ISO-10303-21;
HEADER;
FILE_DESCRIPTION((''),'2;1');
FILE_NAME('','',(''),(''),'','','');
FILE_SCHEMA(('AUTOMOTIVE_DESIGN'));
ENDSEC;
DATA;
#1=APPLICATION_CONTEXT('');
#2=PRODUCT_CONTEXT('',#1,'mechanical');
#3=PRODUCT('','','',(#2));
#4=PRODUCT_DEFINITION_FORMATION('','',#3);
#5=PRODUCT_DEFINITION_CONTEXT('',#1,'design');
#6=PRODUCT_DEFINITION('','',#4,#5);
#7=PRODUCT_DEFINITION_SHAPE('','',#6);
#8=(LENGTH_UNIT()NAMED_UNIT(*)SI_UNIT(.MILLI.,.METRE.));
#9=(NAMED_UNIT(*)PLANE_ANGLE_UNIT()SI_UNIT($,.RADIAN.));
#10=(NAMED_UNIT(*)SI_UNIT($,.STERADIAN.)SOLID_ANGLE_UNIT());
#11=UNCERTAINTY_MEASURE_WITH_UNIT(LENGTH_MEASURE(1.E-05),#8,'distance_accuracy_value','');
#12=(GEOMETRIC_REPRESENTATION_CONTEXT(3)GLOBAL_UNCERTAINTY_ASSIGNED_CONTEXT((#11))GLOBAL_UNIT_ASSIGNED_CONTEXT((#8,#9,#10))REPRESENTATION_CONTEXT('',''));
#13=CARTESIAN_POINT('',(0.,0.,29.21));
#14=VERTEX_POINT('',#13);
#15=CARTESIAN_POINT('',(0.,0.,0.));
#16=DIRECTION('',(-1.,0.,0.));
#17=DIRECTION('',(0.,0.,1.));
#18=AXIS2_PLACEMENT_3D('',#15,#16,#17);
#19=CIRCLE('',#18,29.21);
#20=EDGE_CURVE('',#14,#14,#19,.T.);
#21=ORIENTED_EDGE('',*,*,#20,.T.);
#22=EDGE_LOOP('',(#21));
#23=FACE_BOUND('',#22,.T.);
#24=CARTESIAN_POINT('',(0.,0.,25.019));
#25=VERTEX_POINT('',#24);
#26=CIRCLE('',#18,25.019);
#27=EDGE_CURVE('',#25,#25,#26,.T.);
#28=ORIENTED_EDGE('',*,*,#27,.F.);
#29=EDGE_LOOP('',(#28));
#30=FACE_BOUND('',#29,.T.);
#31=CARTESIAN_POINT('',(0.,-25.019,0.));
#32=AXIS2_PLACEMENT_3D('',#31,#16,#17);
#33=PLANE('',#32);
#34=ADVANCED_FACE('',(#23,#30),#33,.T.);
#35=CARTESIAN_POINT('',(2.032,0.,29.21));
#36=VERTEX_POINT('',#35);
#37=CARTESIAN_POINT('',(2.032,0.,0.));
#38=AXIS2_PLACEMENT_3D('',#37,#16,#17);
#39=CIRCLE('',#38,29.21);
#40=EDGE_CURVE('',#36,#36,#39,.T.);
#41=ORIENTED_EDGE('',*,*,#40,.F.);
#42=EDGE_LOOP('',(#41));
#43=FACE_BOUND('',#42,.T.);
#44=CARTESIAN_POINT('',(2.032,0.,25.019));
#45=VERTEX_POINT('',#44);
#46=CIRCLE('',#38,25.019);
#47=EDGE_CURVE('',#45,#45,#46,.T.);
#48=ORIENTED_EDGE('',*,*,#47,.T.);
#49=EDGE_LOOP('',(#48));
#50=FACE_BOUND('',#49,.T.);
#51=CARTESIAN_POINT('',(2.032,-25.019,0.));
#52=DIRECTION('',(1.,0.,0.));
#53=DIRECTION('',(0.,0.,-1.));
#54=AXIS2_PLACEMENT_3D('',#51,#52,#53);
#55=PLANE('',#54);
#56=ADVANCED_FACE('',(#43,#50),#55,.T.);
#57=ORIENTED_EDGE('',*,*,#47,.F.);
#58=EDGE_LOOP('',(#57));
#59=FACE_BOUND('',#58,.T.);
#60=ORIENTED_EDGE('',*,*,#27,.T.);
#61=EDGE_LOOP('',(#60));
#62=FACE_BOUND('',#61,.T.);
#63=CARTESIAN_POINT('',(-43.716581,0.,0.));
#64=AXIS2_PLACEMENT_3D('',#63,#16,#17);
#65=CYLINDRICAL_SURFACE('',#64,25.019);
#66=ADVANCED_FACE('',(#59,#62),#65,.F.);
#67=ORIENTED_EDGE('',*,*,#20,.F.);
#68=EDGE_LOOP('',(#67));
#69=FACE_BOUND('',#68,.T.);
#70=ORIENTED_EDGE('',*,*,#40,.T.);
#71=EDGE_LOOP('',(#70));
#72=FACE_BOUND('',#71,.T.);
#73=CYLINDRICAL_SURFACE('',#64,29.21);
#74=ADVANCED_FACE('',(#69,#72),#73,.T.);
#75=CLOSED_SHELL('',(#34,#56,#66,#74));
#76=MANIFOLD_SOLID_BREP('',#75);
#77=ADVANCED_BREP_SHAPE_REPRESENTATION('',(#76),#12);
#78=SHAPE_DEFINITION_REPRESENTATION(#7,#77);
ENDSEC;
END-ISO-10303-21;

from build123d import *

# Parameters (mm, degrees)
SKETCH1_W = 2.032
SKETCH1_H = 4.191


with BuildPart() as part:
    # Sketch1 → Revolve1 (revolve)
    with BuildSketch(Plane.XY, mode=Mode.PRIVATE) as revolve1_sk:
        with Locations((1.016, -27.1145)):
            Rectangle(SKETCH1_W, SKETCH1_H)
    revolve(revolve1_sk.sketch.rotate(Axis((-43.716580756, 0, 0), (1, 0, 0)), 270), axis=Axis((-43.716580756, 0, 0), (1, 0, 0)))  # turned: the seam where the file's is


solid = part.part
